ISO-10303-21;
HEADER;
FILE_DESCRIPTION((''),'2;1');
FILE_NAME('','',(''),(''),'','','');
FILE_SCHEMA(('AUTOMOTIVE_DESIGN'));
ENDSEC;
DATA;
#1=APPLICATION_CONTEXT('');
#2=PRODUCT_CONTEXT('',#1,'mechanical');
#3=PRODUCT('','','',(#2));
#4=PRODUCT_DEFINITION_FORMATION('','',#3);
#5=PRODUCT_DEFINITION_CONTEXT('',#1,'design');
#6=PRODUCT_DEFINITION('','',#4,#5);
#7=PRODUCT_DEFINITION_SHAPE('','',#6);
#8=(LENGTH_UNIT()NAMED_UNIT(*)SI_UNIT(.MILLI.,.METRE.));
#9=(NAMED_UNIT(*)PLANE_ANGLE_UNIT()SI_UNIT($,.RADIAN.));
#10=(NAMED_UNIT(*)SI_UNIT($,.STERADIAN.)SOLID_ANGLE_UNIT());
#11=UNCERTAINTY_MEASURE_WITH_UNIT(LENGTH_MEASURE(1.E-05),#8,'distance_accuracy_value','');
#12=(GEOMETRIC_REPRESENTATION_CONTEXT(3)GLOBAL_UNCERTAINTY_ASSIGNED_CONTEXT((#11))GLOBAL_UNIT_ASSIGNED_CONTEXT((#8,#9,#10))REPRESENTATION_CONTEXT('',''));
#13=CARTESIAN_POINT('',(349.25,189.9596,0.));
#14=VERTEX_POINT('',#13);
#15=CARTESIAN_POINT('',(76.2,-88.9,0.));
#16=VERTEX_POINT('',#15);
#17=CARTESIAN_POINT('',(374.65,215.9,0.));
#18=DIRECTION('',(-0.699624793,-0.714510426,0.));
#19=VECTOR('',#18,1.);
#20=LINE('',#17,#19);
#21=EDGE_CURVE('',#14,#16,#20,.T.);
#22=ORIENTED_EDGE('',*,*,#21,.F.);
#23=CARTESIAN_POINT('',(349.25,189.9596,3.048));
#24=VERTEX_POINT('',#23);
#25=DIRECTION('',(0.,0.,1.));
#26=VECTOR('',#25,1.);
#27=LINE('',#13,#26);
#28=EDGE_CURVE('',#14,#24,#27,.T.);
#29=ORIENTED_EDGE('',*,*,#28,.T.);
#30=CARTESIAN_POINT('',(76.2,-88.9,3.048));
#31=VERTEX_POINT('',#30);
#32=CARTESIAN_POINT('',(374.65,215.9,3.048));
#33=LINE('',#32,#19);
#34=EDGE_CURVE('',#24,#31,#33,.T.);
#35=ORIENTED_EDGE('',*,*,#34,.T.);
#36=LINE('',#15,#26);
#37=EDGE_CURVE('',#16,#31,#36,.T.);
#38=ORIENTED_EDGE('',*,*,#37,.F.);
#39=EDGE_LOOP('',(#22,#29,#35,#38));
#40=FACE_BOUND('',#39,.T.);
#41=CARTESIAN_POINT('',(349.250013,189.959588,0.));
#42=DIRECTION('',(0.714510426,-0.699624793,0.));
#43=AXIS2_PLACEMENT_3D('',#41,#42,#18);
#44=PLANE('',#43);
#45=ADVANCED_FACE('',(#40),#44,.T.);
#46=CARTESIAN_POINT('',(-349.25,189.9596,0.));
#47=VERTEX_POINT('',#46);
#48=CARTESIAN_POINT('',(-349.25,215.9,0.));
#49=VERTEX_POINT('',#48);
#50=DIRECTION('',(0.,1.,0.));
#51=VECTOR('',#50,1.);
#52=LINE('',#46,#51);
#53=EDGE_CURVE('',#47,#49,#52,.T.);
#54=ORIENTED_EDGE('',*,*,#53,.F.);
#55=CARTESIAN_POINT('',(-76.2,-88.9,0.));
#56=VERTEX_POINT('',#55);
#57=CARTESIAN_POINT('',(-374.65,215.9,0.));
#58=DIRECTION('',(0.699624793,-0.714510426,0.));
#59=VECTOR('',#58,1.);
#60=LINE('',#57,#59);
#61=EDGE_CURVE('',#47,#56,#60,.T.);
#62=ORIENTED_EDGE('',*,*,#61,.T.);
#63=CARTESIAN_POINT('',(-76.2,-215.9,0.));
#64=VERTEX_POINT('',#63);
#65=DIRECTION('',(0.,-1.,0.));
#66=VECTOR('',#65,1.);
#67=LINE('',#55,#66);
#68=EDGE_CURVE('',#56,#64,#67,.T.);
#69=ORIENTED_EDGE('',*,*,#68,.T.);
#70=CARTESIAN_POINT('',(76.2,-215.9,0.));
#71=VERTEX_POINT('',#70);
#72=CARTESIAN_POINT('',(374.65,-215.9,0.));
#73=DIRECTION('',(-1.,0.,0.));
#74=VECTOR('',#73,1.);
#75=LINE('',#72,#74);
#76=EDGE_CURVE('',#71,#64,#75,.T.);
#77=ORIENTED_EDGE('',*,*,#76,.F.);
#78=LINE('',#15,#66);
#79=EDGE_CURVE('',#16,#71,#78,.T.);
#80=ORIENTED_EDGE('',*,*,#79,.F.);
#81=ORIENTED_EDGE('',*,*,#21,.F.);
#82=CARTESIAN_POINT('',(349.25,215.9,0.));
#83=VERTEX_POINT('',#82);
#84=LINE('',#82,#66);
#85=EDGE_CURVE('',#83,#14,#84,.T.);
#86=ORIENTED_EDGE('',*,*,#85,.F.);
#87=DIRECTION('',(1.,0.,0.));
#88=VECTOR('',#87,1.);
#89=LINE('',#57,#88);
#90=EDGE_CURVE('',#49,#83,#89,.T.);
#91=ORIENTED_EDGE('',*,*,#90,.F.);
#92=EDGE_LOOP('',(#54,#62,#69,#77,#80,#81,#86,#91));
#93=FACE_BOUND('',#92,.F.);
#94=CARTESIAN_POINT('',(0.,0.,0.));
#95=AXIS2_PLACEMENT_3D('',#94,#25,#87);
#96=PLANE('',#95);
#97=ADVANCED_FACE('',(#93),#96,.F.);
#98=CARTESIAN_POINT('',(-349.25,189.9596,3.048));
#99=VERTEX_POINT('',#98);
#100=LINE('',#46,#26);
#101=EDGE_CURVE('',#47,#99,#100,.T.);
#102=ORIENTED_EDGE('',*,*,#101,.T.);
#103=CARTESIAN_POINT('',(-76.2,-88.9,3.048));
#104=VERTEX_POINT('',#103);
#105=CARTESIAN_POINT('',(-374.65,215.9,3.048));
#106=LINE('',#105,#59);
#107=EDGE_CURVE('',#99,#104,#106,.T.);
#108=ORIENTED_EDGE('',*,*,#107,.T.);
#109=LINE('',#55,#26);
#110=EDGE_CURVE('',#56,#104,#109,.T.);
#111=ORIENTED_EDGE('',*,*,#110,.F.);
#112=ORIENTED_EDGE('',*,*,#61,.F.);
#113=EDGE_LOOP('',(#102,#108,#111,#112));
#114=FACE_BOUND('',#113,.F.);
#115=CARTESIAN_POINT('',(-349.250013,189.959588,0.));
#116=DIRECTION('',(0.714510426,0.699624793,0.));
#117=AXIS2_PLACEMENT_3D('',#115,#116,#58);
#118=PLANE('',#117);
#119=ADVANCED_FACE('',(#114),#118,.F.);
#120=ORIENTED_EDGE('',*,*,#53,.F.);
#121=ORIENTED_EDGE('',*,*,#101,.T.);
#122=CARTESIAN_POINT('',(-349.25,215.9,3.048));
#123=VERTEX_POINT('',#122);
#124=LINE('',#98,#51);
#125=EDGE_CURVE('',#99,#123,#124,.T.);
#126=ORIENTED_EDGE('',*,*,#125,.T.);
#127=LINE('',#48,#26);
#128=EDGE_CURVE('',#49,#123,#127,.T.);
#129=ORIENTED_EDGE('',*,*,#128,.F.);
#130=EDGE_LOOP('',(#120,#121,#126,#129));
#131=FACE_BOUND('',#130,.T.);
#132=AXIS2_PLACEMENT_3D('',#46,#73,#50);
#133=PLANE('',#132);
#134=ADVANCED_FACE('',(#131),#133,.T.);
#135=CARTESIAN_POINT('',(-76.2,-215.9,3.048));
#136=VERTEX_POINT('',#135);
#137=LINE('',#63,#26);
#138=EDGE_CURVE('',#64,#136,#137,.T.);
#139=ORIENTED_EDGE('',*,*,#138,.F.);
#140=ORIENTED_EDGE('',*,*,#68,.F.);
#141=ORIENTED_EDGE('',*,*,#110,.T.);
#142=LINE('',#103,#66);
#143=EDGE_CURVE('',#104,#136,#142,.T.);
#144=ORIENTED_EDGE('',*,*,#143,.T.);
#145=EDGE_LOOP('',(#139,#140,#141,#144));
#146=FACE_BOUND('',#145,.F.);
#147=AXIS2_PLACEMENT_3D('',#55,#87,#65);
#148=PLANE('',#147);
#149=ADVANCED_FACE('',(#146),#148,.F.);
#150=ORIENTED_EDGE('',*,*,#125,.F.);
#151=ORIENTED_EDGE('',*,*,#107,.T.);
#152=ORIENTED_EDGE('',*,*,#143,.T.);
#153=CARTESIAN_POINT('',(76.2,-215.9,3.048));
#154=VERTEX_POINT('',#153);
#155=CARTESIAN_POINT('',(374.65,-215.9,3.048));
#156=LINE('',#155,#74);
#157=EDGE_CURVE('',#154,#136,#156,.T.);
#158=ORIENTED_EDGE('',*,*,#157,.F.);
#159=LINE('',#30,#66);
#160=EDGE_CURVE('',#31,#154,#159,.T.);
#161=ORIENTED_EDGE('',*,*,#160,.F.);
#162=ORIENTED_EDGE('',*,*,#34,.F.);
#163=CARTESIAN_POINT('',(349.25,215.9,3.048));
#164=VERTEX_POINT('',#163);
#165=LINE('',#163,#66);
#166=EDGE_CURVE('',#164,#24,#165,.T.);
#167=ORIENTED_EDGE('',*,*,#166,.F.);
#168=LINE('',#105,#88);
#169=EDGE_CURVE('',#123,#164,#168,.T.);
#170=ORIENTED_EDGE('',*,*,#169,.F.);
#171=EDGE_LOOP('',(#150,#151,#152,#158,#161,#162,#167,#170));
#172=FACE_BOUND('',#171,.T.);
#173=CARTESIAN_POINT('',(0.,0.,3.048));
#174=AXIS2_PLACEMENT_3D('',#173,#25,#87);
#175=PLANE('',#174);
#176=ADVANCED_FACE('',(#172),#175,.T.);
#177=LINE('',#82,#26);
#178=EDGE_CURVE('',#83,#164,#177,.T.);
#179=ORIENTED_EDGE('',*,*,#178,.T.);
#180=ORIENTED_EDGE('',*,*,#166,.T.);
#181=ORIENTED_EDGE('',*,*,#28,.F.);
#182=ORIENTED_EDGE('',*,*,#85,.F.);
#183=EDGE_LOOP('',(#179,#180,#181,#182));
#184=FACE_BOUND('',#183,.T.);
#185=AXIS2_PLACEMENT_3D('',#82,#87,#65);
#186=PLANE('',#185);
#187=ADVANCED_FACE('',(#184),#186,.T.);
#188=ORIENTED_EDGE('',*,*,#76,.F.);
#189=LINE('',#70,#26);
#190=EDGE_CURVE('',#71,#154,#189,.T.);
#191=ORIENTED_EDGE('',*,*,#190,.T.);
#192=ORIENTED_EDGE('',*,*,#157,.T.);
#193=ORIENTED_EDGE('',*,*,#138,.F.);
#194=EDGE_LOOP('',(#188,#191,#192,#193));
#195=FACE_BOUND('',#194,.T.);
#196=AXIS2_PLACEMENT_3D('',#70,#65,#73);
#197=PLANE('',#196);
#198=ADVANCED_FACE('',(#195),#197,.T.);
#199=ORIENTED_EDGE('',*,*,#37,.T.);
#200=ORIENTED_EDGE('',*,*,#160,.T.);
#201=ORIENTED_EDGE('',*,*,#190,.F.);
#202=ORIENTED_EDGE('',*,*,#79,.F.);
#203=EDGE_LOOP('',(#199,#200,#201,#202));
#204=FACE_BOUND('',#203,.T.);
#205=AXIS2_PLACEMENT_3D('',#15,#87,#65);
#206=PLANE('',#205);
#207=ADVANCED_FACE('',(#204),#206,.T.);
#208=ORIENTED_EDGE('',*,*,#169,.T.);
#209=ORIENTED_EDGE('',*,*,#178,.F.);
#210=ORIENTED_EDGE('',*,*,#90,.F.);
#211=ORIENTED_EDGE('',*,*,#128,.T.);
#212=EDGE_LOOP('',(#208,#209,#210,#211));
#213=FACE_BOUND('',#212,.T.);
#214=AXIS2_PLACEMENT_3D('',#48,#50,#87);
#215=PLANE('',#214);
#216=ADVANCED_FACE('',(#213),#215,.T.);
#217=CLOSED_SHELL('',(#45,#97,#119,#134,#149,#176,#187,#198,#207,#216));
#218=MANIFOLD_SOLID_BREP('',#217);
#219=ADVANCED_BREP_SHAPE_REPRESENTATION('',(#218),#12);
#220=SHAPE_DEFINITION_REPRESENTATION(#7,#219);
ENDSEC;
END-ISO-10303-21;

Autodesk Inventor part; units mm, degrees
ref_plane "YZ Plane" through (0, 0, 0) normal (1, 0, 0) x (0, 1, 0)
ref_plane "XZ Plane" through (0, 0, 0) normal (0, 1, 0) x (-1, 0, 0)
ref_plane "XY Plane" through (0, 0, 0) normal (0, 0, 1) x (1, 0, 0)
sketch "Sketch1" plane through (0, 0, 0) normal (0, 0, 1) x (1, 0, 0)
  line L0 (374.65, -215.9) -> (-374.65, -215.9)
  line L1 (-374.65, -215.9) -> (-374.65, 215.9)
  line L2 (-374.65, 215.9) -> (374.65, 215.9)
  line L3 (374.65, 215.9) -> (374.65, -215.9)
  line L4 (374.65, -215.9) -> (-374.65, 215.9) construction
  line L5 (-374.65, -215.9) -> (374.65, 215.9) construction
  line L6 (-374.65, -88.9) -> (374.65, -88.9) construction
  line L7 (-374.65, 215.9) -> (-76.2, -88.9)
  line L8 (374.65, 215.9) -> (76.2, -88.9)
  line L9 (-76.2, -88.9) -> (-76.2, -215.9)
  line L10 (76.2, -88.9) -> (76.2, -215.9)
  line L11 (-349.25, 189.9596) -> (-349.25, 215.9)
  line L12 (349.25, 215.9) -> (349.25, 189.9596)
  point P0 (0, 0)
  dimension "d0" = 749.3
  dimension "d1" = 431.8
  dimension "d5" = 152.4
  dimension "d6" = 76.2
  dimension "d7" = 127
  dimension "d8" = 25.4
  dimension "d9" = 25.4
extrude "Plate1" add sketch "Sketch1" along normal blind 3.048 contours L0 L9 L7 L11 L2 L12 L8 L10
equation "\"d2\" = Thickness"
equation "\"BendRadius\" = Thickness"
equation "\"BendReliefWidth\" = Thickness"
equation "\"BendReliefDepth\" = 0.5 * Thickness"
equation "\"CornerReliefSize\" = 4 * Thickness"
equation "\"MinimumRemnant\" = 2 * Thickness"
equation "\"TransitionRadius\" = BendRadius"
equation "\"JacobiRadiusSize\" = BendRadius"
equation "\"GapSize\" = Thickness"
equation "\"Thickness\" = 3.048"
properties part number "trough_backplate"
